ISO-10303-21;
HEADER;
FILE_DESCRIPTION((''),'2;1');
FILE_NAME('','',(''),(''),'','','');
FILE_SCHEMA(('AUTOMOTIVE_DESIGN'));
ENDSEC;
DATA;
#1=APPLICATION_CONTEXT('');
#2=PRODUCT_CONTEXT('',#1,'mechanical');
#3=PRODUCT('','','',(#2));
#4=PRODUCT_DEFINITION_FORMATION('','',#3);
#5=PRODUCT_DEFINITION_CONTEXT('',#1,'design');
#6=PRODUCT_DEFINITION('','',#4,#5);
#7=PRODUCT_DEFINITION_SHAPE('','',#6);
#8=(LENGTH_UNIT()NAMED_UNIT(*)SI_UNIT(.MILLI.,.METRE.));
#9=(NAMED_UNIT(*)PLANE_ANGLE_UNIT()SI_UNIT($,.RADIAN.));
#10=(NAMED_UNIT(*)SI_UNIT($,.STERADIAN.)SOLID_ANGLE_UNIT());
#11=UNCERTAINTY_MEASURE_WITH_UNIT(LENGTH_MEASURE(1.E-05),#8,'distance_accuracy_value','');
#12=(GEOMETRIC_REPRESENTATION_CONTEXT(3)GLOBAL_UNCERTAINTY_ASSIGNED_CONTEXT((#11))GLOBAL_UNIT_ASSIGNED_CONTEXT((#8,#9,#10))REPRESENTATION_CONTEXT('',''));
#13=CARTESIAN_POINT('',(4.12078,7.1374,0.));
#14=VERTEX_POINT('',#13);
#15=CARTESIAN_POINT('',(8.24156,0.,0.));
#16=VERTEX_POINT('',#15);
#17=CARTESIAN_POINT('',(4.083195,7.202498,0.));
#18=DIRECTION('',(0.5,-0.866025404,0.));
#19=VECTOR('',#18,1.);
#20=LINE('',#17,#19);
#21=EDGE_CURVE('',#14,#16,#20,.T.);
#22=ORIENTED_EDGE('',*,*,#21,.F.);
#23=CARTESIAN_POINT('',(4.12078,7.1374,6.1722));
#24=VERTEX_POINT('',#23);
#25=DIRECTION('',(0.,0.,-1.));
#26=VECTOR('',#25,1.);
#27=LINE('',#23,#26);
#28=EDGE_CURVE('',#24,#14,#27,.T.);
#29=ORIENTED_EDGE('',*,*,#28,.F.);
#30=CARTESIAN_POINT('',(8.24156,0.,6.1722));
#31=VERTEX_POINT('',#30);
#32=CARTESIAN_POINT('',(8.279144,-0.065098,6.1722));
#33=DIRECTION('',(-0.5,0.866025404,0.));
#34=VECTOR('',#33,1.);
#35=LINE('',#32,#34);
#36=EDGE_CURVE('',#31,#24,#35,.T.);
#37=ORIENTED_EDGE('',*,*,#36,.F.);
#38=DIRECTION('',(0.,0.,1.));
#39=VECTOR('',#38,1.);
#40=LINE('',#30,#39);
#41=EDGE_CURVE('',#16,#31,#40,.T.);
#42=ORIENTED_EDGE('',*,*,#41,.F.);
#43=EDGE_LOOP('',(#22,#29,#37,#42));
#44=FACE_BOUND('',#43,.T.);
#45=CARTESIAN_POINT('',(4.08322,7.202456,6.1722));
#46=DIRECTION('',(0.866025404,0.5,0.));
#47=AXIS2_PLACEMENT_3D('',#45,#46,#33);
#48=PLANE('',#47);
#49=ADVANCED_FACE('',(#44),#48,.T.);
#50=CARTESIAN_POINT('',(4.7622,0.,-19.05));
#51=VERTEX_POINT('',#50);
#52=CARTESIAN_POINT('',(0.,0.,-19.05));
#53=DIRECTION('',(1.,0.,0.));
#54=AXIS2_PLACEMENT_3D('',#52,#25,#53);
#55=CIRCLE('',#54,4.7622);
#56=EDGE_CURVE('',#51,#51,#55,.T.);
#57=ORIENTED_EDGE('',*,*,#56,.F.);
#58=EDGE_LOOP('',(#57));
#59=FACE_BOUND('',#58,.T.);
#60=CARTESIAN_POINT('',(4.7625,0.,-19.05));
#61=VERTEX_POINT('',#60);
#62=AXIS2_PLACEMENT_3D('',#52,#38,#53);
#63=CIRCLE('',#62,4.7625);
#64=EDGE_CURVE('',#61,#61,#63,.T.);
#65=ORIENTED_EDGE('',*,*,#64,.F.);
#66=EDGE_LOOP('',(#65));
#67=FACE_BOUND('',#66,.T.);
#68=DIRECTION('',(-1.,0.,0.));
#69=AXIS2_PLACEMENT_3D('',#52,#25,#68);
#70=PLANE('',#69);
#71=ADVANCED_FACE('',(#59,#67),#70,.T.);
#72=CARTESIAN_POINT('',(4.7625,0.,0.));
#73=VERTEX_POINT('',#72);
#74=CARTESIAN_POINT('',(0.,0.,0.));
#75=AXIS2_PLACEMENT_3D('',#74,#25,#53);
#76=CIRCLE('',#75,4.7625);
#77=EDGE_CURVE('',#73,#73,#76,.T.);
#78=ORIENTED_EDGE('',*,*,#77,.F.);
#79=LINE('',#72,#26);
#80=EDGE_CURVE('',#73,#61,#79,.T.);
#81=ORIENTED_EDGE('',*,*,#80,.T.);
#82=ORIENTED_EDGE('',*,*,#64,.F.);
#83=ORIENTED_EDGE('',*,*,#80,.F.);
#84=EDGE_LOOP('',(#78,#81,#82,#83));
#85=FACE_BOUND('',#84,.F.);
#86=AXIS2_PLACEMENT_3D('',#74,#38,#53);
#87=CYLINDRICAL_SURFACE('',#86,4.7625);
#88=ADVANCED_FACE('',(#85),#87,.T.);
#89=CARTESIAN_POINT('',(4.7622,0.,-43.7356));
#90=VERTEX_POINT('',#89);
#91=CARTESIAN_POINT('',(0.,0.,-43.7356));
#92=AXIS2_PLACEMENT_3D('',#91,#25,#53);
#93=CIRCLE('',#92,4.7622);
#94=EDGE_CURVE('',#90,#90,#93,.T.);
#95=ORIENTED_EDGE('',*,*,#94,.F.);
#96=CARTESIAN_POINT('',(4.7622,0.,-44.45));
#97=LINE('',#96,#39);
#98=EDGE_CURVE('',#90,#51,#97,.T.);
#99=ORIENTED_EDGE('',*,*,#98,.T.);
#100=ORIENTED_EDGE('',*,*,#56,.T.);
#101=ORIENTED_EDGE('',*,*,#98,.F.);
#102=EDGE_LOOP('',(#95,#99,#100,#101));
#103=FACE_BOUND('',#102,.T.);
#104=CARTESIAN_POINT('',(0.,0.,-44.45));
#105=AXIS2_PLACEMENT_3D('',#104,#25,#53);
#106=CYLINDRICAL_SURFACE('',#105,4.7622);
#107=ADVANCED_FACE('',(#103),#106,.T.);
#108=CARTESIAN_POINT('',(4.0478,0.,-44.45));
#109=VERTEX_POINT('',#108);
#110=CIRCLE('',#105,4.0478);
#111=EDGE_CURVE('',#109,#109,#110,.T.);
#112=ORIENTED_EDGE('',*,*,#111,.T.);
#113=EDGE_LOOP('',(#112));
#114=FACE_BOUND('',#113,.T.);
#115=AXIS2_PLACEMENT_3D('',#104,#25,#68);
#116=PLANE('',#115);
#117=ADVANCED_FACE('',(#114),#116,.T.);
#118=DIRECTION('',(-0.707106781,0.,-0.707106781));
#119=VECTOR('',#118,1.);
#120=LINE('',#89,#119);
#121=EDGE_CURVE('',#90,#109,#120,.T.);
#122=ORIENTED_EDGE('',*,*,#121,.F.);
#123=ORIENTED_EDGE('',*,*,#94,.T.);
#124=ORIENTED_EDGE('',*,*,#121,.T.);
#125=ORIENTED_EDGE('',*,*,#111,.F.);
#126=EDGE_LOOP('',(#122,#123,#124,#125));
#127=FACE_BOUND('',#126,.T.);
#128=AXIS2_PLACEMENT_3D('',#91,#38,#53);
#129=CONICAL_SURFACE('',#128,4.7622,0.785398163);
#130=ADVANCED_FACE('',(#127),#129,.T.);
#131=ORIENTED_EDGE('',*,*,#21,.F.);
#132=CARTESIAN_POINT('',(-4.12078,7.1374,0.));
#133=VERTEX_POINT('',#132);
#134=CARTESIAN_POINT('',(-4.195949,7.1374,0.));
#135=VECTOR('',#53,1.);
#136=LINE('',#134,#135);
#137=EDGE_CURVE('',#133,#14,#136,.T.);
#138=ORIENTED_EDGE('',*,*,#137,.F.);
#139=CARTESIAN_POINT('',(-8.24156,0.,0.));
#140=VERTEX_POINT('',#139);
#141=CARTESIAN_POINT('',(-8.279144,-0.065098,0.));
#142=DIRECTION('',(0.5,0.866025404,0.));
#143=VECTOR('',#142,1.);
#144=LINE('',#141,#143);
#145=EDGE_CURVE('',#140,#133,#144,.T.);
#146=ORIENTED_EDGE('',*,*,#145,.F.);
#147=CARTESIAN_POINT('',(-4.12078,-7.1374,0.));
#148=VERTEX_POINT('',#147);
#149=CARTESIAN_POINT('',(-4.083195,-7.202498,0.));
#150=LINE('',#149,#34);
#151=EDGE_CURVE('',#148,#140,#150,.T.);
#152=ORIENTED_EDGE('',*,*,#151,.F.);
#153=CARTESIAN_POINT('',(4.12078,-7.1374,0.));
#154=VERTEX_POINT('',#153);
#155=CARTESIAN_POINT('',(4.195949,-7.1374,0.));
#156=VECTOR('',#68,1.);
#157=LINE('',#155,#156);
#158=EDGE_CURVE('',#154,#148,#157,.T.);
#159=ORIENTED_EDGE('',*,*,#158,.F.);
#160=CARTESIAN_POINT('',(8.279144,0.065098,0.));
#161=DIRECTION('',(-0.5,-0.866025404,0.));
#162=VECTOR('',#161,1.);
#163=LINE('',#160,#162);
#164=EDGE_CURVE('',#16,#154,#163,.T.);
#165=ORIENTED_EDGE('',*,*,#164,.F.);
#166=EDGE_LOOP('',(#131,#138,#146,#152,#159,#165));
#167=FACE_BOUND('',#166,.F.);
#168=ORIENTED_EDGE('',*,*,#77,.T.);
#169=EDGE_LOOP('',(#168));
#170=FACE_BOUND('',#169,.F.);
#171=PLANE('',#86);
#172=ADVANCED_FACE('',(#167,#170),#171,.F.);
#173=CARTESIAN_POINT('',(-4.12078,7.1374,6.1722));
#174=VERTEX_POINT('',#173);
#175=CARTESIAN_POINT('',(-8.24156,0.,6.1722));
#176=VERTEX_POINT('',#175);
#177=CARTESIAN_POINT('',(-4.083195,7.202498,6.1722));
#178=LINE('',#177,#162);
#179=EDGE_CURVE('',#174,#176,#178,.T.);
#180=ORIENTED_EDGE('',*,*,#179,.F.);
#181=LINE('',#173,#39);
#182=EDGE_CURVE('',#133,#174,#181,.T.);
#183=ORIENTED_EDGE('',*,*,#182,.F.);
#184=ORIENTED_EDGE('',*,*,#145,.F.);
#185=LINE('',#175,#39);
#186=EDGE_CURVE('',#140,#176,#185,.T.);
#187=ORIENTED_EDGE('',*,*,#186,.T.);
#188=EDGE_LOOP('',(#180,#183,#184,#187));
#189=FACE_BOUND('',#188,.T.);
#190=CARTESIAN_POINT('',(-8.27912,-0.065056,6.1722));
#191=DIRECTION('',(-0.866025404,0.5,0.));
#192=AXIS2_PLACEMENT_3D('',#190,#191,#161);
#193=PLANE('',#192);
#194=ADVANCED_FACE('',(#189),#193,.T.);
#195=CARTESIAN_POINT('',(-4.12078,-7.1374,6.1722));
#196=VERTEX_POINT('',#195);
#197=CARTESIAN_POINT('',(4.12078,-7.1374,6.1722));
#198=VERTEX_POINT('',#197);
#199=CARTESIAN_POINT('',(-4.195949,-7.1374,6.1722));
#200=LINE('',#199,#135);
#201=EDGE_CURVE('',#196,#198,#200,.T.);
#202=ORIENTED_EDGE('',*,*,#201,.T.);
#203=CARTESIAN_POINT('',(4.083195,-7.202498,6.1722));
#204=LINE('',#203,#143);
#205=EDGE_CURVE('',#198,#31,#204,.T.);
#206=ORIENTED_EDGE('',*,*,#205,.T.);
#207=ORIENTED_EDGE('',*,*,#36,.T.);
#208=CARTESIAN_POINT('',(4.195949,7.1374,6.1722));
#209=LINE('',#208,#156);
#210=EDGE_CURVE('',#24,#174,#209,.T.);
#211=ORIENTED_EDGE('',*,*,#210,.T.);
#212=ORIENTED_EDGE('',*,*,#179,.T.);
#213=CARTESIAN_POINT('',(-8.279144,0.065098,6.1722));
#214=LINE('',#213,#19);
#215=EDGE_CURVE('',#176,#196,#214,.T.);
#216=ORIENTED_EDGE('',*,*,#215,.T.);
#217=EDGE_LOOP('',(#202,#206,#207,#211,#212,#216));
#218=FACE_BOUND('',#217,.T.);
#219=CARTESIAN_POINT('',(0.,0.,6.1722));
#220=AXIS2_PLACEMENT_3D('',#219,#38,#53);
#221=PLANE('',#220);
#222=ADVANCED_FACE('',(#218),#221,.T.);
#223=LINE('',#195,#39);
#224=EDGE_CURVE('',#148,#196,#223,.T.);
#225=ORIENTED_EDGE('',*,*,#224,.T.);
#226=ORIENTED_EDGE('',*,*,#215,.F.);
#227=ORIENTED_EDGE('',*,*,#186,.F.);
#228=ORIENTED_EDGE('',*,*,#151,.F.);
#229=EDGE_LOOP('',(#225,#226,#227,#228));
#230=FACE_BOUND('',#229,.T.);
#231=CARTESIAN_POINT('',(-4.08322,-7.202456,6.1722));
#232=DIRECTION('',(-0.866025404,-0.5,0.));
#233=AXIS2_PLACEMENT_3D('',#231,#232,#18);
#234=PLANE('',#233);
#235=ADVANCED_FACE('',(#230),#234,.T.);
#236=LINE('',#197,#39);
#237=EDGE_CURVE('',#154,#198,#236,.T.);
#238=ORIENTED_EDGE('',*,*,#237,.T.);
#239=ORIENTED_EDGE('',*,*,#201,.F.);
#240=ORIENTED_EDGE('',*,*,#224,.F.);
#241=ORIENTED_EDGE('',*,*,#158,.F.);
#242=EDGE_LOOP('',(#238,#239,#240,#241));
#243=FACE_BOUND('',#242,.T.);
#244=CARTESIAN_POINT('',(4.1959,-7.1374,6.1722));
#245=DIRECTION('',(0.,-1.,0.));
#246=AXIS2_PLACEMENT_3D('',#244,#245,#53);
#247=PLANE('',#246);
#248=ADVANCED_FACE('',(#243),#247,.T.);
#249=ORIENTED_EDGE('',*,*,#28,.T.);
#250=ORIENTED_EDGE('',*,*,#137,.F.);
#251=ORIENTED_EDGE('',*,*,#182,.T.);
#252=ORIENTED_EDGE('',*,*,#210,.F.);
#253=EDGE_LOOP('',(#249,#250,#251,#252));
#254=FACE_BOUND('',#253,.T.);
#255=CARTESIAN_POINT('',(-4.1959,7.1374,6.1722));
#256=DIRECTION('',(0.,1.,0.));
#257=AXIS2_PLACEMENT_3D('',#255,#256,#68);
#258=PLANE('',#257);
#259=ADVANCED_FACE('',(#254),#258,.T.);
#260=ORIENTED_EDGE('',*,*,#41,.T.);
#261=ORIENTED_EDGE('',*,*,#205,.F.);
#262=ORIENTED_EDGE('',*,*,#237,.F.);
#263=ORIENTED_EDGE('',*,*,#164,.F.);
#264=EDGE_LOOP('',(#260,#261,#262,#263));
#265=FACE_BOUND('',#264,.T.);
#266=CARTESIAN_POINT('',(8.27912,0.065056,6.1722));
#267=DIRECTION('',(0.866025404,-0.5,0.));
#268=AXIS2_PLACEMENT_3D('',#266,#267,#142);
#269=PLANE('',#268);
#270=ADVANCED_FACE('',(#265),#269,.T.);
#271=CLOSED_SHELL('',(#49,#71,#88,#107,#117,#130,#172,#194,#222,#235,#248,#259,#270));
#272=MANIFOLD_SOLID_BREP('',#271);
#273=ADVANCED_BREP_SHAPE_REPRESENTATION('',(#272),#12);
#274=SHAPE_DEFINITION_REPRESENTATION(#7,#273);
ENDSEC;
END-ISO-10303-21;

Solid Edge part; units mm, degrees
sketch "Sketch1" plane through (0, 0, 0) normal (0, 0, 1) x (1, 0, 0)
  circle A0 centre (0, 0) radius 8.2794
  dimension "D1" = 16.5588
extrude "Protrusion1" add sketch "Sketch1" along normal blind 6.1722
sketch "Sketch2" plane through (0, 0, 0) normal (0, 0, -1) x (1, 0, 0)
  circle A0 centre (0, 0) radius 4.7625
extrude "Protrusion2" add sketch "Sketch2" along normal blind 44.45
sketch "Sketch3" plane through (0, 0, -44.45) normal (0, 0, -1) x (1, 0, 0)
  circle A0 centre (0, 0) radius 4.7622
extrude "Cutout1" cut sketch "Sketch3" against normal blind 25.4 flip side to cut
chamfer "Chamfer_1" distance 0.7144 angle 45 1 edges at (-4.7622, 0, -44.45)
sketch "Sketch4" plane through (0, 0, 6.1722) normal (0, 0, 1) x (1, 0, 0)
  line L0 (-4.1959, 7.1374) -> (4.1959, 7.1374)
  dimension "D1" = 14.2748
extrude "Cutout2" cut sketch "Sketch4" against normal up to next material side at (0, 7.1874, 6.1722)
pattern_circular "Pattern1" count 6 over 360 about axis through (0, 0, 6.1722) along (0, 0, 1) of "Cutout2"
properties part number "24100082"
